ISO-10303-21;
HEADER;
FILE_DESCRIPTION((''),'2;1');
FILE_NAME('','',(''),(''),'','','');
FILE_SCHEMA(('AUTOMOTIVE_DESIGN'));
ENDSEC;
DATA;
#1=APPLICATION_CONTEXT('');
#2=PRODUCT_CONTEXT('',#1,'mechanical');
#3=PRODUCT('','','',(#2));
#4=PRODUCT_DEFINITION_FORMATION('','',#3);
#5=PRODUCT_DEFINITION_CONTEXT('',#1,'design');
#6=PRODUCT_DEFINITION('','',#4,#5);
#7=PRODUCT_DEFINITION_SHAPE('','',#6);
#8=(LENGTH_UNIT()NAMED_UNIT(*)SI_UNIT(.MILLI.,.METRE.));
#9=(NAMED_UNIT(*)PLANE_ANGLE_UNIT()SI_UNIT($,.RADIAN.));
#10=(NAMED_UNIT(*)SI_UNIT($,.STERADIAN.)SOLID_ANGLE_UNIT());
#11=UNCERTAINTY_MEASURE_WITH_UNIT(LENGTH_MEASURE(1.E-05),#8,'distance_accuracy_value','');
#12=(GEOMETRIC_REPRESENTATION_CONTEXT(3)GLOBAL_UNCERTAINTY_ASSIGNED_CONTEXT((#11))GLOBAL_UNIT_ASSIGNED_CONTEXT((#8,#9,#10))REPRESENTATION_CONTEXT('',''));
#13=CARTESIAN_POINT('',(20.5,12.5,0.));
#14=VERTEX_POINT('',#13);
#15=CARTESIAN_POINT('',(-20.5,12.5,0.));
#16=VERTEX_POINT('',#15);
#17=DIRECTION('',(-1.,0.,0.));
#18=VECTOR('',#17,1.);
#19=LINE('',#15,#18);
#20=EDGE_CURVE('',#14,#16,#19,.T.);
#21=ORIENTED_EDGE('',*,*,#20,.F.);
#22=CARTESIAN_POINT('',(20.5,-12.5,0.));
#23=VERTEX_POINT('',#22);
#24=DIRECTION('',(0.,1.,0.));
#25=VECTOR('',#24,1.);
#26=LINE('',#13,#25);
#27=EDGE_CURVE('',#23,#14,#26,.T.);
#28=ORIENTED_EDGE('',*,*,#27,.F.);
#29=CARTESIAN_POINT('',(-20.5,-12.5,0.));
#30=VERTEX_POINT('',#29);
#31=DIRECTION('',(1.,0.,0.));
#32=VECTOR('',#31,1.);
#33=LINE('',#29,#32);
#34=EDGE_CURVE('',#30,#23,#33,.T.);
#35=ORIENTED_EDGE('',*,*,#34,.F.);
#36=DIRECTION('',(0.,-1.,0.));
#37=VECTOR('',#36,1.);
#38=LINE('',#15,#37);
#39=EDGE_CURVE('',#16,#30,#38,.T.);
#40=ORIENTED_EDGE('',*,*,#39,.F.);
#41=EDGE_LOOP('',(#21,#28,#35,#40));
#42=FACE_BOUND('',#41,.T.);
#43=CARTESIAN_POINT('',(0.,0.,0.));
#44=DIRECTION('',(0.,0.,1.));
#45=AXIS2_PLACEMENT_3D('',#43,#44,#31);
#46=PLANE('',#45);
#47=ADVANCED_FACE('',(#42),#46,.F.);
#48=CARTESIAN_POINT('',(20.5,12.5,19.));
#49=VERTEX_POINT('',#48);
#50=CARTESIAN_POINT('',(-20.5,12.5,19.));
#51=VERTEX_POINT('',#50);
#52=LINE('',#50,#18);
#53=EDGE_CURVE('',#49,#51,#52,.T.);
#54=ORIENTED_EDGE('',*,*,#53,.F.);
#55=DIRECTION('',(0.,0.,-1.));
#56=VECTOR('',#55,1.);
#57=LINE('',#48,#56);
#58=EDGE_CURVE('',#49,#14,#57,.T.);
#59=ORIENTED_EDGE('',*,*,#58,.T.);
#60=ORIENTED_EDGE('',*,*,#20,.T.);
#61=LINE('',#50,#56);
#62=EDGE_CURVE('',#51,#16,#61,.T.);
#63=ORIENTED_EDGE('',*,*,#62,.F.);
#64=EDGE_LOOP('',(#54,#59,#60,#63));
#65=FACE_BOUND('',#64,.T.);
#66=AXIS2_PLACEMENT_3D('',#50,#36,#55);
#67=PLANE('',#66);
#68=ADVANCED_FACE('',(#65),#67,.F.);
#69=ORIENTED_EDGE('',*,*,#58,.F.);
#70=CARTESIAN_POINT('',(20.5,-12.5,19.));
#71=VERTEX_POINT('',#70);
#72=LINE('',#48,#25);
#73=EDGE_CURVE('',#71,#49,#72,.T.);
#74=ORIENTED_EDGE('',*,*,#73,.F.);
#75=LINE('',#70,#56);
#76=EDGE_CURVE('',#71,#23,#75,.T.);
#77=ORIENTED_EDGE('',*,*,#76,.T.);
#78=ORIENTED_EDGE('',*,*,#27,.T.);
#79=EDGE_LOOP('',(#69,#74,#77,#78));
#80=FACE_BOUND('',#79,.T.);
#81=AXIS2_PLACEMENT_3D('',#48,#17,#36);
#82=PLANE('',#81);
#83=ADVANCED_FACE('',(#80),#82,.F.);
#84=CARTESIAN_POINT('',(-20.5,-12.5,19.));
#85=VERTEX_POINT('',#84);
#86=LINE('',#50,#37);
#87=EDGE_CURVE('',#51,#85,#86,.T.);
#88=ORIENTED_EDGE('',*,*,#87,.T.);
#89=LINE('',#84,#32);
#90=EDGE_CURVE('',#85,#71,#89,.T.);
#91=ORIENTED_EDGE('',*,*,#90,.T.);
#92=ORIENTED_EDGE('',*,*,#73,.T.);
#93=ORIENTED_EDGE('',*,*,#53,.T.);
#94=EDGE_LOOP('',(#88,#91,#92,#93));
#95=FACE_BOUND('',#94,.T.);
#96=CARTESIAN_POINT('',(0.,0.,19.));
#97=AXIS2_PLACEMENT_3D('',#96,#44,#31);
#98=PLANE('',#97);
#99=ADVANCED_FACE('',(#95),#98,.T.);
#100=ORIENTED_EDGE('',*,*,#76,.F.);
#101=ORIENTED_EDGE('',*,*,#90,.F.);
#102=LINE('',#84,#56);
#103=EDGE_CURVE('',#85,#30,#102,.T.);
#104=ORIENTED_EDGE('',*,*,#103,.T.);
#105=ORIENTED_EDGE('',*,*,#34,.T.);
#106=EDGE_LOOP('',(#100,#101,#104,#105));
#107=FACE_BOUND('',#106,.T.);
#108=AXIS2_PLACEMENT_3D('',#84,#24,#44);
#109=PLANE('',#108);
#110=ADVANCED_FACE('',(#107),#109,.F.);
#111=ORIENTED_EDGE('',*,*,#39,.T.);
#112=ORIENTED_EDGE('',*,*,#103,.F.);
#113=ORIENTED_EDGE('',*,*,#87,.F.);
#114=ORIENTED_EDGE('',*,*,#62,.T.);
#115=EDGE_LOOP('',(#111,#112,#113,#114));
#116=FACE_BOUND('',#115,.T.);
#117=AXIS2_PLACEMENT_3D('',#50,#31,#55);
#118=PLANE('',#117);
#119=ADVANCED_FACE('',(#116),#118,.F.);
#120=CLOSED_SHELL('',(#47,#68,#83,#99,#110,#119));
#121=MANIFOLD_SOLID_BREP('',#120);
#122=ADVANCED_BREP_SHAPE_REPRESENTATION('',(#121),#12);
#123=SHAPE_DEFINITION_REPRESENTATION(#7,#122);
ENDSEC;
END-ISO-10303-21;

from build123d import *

# Parameters (mm, degrees)
SKETCH_2_W      = 41
SKETCH_2_H      = 25
EXTRUDE_1_DEPTH = 19


with BuildPart() as part:
    # 草图2 → 凸台-拉伸1 (new body)
    with BuildSketch(Plane.XY):
        Rectangle(SKETCH_2_W, SKETCH_2_H)
    extrude(amount=EXTRUDE_1_DEPTH)


solid = part.part
